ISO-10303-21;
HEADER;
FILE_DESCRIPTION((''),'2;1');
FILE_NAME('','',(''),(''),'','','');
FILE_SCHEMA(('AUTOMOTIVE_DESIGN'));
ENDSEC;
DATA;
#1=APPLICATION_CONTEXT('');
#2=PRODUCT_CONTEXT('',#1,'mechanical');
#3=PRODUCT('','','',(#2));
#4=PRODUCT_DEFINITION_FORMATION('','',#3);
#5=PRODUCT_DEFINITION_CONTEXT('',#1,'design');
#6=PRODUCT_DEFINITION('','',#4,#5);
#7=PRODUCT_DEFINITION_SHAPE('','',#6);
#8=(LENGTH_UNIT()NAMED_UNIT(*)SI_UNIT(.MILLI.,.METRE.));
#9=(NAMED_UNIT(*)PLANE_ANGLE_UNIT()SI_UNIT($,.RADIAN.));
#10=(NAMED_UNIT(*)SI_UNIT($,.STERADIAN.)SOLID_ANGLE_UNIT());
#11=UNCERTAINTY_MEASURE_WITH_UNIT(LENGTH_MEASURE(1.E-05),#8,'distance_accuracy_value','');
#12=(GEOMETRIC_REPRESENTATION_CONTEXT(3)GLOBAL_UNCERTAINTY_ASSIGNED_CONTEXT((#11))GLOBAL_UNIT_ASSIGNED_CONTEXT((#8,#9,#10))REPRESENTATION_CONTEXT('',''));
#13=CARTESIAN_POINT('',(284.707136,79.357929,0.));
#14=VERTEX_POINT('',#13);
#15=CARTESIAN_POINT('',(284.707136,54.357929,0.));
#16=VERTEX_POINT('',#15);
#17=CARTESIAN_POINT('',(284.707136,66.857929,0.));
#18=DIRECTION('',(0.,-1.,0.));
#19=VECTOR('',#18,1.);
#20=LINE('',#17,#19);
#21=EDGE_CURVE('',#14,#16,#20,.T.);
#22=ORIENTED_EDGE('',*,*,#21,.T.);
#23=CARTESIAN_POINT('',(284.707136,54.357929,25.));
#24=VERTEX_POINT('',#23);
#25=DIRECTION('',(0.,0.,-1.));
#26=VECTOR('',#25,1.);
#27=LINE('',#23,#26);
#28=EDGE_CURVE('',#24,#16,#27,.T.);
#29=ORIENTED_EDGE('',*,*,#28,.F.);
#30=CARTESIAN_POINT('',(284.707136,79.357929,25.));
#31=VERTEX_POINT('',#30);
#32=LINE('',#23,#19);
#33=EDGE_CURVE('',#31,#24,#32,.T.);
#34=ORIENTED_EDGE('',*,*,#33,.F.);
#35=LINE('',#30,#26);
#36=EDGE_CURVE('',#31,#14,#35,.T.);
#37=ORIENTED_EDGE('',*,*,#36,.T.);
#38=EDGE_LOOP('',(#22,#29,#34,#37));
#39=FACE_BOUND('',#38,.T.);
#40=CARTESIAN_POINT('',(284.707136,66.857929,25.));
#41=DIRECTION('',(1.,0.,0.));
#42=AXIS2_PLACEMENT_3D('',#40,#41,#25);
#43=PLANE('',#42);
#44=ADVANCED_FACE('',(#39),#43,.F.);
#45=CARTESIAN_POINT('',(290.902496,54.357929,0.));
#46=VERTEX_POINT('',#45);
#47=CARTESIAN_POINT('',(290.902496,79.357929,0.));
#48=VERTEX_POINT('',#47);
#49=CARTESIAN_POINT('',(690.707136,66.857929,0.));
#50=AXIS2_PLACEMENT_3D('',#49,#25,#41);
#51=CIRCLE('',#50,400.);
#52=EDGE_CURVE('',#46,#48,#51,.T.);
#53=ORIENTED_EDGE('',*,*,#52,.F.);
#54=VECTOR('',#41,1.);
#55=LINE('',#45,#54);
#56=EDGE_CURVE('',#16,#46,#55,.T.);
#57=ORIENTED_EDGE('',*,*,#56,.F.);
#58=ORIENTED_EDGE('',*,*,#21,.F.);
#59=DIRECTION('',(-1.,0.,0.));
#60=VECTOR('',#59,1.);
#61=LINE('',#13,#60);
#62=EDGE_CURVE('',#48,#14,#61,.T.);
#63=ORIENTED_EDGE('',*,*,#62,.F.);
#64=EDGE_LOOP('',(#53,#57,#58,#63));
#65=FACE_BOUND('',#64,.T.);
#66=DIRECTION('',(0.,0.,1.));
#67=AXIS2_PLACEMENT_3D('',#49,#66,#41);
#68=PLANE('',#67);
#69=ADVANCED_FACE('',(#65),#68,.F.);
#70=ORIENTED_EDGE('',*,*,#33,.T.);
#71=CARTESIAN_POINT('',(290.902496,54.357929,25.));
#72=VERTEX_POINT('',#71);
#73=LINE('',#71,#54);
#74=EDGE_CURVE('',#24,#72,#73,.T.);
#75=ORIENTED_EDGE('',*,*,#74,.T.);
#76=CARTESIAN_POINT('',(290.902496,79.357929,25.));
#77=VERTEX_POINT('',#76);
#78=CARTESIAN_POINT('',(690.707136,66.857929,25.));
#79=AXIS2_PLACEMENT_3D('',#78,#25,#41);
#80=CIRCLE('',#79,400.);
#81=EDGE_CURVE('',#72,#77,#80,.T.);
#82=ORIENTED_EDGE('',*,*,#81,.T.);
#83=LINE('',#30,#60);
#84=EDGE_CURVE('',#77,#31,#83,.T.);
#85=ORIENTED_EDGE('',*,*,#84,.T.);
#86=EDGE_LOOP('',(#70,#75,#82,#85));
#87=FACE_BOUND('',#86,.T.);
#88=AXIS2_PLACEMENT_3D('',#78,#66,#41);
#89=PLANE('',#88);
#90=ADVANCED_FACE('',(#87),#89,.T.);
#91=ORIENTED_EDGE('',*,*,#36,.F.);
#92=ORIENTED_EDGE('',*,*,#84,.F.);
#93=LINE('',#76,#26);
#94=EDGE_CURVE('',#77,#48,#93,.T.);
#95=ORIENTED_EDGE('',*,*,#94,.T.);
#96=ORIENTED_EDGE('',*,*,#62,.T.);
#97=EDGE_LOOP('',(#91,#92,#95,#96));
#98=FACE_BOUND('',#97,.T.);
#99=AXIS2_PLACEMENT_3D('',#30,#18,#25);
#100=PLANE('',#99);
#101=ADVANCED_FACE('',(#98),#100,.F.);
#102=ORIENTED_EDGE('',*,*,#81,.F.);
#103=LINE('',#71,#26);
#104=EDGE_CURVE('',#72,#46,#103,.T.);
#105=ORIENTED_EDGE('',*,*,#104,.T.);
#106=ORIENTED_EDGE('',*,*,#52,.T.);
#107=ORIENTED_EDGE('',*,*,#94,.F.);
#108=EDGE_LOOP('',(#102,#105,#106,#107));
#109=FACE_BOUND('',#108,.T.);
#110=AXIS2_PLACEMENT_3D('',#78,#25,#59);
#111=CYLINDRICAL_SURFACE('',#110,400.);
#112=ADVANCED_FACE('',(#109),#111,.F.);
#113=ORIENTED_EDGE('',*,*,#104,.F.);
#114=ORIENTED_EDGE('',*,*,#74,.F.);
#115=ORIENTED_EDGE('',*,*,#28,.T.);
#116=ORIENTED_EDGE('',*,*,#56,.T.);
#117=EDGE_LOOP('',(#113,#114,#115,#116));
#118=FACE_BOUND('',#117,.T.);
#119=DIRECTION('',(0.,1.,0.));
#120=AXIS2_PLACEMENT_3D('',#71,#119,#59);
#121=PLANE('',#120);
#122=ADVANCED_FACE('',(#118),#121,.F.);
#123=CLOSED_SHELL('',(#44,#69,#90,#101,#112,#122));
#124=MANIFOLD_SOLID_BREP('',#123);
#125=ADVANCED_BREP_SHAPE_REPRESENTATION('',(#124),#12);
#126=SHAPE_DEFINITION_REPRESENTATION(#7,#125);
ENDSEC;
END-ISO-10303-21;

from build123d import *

# Parameters (mm, degrees)
EXTRUDE_1_DEPTH = 25


with BuildPart() as part:
    # 草图1 → 凸台-拉伸1 (new body)
    with BuildSketch(Plane.XY):
        with BuildLine():
            Line((284.707135631, 66.857929268), (284.707135631, 79.357929268))
            Line((284.707135631, 79.357929268), (290.902495825, 79.357929268))
            ThreePointArc((290.902495825, 79.357929268), (290.707135618, 66.857929268), (290.902495825, 54.357929268))
            Line((290.902495825, 54.357929268), (284.707135631, 54.357929268))
            Line((284.707135631, 54.357929268), (284.707135631, 66.857929268))
        make_face()
    extrude(amount=EXTRUDE_1_DEPTH)


solid = part.part
